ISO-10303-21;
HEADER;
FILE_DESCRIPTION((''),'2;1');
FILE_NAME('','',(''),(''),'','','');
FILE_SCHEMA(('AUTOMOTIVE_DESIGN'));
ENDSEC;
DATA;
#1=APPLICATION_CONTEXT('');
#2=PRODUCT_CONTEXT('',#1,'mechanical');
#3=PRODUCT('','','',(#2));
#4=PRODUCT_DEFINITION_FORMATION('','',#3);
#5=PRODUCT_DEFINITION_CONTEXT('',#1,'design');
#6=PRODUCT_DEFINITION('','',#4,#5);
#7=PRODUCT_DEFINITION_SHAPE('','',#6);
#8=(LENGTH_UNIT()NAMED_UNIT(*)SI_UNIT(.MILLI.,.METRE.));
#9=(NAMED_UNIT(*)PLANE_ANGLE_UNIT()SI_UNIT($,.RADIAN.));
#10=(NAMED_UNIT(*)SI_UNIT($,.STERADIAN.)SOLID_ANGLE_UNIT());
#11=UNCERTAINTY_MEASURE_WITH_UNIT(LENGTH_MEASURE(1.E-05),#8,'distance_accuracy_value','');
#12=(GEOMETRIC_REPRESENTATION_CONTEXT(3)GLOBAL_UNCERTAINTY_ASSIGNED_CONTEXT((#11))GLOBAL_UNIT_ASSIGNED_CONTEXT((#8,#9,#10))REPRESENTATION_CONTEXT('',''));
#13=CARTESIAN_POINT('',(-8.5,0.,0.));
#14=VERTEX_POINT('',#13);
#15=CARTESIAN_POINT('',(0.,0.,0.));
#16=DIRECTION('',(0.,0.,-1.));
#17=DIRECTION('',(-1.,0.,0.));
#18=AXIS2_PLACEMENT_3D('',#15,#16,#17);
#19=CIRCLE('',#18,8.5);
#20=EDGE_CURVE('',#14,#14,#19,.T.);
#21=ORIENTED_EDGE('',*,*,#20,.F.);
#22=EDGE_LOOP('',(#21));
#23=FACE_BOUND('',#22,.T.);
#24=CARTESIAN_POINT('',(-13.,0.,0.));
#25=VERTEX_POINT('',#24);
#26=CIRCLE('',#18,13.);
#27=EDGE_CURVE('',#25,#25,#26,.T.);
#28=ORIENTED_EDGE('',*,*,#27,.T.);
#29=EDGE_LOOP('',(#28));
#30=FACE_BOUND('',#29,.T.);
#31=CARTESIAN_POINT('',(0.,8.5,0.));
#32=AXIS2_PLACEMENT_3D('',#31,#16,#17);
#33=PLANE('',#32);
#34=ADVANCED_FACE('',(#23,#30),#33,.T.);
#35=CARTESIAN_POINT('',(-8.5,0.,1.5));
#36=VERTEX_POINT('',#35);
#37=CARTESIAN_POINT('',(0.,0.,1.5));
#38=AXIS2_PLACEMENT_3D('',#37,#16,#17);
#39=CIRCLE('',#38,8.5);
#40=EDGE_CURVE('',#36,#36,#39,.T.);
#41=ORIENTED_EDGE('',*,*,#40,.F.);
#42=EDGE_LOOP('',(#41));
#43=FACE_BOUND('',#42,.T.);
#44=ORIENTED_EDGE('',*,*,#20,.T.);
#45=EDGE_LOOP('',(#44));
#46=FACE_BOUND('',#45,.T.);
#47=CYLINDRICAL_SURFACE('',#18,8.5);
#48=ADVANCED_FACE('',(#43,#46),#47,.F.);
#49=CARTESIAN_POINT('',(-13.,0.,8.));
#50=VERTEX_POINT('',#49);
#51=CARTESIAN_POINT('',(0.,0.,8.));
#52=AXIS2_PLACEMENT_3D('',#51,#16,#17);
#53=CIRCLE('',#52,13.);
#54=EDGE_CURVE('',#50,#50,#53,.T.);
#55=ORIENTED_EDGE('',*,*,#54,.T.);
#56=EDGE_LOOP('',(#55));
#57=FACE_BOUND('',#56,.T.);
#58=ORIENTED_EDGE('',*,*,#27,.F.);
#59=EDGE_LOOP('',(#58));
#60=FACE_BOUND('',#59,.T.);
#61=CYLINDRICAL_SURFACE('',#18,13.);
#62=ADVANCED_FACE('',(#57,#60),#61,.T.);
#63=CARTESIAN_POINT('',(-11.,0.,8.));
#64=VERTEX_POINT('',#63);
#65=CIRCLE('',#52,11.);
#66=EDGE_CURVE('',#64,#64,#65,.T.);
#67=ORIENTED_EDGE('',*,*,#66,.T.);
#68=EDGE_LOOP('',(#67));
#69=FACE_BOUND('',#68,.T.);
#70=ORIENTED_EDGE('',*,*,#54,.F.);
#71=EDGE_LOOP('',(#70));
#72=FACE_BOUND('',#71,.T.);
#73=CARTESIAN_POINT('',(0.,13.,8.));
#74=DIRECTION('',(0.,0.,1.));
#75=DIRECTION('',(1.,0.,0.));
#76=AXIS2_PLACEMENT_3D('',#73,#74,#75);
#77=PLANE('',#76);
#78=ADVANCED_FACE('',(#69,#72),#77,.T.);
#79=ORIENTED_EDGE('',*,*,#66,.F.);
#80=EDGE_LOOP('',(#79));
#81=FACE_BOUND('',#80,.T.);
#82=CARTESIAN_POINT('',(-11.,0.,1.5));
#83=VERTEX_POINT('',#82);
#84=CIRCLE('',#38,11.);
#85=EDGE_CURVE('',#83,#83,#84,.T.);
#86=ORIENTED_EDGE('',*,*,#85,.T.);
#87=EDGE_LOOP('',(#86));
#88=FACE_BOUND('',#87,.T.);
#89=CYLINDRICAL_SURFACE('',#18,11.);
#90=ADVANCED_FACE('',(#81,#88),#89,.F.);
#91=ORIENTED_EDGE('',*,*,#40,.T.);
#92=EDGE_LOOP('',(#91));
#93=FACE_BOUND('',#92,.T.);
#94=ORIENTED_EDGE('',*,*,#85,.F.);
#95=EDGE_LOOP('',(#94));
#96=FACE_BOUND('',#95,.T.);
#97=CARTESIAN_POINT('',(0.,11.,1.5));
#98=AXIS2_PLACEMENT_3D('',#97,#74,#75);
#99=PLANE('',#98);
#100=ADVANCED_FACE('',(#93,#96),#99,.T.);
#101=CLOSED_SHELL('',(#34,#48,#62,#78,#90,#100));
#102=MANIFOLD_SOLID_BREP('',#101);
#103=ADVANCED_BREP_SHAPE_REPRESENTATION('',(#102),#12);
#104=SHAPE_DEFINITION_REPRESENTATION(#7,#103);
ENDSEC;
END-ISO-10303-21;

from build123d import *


with BuildPart() as part:
    # Esquisse1 → Révolution1 (revolve)
    with BuildSketch(Plane(origin=(0, 0, 0), x_dir=(0, 0, -1), z_dir=(1, 0, 0)), mode=Mode.PRIVATE) as r_volution1_sk:
        Polygon((-8, 13), (-8, 11), (-1.5, 11), (-1.5, 8.5), (0, 8.5), (0, 13), align=None)
    revolve(r_volution1_sk.sketch.rotate(Axis((0, 0, 0), (0, 0, 1)), 90), axis=Axis((0, 0, 0), (0, 0, 1)))


solid = part.part
